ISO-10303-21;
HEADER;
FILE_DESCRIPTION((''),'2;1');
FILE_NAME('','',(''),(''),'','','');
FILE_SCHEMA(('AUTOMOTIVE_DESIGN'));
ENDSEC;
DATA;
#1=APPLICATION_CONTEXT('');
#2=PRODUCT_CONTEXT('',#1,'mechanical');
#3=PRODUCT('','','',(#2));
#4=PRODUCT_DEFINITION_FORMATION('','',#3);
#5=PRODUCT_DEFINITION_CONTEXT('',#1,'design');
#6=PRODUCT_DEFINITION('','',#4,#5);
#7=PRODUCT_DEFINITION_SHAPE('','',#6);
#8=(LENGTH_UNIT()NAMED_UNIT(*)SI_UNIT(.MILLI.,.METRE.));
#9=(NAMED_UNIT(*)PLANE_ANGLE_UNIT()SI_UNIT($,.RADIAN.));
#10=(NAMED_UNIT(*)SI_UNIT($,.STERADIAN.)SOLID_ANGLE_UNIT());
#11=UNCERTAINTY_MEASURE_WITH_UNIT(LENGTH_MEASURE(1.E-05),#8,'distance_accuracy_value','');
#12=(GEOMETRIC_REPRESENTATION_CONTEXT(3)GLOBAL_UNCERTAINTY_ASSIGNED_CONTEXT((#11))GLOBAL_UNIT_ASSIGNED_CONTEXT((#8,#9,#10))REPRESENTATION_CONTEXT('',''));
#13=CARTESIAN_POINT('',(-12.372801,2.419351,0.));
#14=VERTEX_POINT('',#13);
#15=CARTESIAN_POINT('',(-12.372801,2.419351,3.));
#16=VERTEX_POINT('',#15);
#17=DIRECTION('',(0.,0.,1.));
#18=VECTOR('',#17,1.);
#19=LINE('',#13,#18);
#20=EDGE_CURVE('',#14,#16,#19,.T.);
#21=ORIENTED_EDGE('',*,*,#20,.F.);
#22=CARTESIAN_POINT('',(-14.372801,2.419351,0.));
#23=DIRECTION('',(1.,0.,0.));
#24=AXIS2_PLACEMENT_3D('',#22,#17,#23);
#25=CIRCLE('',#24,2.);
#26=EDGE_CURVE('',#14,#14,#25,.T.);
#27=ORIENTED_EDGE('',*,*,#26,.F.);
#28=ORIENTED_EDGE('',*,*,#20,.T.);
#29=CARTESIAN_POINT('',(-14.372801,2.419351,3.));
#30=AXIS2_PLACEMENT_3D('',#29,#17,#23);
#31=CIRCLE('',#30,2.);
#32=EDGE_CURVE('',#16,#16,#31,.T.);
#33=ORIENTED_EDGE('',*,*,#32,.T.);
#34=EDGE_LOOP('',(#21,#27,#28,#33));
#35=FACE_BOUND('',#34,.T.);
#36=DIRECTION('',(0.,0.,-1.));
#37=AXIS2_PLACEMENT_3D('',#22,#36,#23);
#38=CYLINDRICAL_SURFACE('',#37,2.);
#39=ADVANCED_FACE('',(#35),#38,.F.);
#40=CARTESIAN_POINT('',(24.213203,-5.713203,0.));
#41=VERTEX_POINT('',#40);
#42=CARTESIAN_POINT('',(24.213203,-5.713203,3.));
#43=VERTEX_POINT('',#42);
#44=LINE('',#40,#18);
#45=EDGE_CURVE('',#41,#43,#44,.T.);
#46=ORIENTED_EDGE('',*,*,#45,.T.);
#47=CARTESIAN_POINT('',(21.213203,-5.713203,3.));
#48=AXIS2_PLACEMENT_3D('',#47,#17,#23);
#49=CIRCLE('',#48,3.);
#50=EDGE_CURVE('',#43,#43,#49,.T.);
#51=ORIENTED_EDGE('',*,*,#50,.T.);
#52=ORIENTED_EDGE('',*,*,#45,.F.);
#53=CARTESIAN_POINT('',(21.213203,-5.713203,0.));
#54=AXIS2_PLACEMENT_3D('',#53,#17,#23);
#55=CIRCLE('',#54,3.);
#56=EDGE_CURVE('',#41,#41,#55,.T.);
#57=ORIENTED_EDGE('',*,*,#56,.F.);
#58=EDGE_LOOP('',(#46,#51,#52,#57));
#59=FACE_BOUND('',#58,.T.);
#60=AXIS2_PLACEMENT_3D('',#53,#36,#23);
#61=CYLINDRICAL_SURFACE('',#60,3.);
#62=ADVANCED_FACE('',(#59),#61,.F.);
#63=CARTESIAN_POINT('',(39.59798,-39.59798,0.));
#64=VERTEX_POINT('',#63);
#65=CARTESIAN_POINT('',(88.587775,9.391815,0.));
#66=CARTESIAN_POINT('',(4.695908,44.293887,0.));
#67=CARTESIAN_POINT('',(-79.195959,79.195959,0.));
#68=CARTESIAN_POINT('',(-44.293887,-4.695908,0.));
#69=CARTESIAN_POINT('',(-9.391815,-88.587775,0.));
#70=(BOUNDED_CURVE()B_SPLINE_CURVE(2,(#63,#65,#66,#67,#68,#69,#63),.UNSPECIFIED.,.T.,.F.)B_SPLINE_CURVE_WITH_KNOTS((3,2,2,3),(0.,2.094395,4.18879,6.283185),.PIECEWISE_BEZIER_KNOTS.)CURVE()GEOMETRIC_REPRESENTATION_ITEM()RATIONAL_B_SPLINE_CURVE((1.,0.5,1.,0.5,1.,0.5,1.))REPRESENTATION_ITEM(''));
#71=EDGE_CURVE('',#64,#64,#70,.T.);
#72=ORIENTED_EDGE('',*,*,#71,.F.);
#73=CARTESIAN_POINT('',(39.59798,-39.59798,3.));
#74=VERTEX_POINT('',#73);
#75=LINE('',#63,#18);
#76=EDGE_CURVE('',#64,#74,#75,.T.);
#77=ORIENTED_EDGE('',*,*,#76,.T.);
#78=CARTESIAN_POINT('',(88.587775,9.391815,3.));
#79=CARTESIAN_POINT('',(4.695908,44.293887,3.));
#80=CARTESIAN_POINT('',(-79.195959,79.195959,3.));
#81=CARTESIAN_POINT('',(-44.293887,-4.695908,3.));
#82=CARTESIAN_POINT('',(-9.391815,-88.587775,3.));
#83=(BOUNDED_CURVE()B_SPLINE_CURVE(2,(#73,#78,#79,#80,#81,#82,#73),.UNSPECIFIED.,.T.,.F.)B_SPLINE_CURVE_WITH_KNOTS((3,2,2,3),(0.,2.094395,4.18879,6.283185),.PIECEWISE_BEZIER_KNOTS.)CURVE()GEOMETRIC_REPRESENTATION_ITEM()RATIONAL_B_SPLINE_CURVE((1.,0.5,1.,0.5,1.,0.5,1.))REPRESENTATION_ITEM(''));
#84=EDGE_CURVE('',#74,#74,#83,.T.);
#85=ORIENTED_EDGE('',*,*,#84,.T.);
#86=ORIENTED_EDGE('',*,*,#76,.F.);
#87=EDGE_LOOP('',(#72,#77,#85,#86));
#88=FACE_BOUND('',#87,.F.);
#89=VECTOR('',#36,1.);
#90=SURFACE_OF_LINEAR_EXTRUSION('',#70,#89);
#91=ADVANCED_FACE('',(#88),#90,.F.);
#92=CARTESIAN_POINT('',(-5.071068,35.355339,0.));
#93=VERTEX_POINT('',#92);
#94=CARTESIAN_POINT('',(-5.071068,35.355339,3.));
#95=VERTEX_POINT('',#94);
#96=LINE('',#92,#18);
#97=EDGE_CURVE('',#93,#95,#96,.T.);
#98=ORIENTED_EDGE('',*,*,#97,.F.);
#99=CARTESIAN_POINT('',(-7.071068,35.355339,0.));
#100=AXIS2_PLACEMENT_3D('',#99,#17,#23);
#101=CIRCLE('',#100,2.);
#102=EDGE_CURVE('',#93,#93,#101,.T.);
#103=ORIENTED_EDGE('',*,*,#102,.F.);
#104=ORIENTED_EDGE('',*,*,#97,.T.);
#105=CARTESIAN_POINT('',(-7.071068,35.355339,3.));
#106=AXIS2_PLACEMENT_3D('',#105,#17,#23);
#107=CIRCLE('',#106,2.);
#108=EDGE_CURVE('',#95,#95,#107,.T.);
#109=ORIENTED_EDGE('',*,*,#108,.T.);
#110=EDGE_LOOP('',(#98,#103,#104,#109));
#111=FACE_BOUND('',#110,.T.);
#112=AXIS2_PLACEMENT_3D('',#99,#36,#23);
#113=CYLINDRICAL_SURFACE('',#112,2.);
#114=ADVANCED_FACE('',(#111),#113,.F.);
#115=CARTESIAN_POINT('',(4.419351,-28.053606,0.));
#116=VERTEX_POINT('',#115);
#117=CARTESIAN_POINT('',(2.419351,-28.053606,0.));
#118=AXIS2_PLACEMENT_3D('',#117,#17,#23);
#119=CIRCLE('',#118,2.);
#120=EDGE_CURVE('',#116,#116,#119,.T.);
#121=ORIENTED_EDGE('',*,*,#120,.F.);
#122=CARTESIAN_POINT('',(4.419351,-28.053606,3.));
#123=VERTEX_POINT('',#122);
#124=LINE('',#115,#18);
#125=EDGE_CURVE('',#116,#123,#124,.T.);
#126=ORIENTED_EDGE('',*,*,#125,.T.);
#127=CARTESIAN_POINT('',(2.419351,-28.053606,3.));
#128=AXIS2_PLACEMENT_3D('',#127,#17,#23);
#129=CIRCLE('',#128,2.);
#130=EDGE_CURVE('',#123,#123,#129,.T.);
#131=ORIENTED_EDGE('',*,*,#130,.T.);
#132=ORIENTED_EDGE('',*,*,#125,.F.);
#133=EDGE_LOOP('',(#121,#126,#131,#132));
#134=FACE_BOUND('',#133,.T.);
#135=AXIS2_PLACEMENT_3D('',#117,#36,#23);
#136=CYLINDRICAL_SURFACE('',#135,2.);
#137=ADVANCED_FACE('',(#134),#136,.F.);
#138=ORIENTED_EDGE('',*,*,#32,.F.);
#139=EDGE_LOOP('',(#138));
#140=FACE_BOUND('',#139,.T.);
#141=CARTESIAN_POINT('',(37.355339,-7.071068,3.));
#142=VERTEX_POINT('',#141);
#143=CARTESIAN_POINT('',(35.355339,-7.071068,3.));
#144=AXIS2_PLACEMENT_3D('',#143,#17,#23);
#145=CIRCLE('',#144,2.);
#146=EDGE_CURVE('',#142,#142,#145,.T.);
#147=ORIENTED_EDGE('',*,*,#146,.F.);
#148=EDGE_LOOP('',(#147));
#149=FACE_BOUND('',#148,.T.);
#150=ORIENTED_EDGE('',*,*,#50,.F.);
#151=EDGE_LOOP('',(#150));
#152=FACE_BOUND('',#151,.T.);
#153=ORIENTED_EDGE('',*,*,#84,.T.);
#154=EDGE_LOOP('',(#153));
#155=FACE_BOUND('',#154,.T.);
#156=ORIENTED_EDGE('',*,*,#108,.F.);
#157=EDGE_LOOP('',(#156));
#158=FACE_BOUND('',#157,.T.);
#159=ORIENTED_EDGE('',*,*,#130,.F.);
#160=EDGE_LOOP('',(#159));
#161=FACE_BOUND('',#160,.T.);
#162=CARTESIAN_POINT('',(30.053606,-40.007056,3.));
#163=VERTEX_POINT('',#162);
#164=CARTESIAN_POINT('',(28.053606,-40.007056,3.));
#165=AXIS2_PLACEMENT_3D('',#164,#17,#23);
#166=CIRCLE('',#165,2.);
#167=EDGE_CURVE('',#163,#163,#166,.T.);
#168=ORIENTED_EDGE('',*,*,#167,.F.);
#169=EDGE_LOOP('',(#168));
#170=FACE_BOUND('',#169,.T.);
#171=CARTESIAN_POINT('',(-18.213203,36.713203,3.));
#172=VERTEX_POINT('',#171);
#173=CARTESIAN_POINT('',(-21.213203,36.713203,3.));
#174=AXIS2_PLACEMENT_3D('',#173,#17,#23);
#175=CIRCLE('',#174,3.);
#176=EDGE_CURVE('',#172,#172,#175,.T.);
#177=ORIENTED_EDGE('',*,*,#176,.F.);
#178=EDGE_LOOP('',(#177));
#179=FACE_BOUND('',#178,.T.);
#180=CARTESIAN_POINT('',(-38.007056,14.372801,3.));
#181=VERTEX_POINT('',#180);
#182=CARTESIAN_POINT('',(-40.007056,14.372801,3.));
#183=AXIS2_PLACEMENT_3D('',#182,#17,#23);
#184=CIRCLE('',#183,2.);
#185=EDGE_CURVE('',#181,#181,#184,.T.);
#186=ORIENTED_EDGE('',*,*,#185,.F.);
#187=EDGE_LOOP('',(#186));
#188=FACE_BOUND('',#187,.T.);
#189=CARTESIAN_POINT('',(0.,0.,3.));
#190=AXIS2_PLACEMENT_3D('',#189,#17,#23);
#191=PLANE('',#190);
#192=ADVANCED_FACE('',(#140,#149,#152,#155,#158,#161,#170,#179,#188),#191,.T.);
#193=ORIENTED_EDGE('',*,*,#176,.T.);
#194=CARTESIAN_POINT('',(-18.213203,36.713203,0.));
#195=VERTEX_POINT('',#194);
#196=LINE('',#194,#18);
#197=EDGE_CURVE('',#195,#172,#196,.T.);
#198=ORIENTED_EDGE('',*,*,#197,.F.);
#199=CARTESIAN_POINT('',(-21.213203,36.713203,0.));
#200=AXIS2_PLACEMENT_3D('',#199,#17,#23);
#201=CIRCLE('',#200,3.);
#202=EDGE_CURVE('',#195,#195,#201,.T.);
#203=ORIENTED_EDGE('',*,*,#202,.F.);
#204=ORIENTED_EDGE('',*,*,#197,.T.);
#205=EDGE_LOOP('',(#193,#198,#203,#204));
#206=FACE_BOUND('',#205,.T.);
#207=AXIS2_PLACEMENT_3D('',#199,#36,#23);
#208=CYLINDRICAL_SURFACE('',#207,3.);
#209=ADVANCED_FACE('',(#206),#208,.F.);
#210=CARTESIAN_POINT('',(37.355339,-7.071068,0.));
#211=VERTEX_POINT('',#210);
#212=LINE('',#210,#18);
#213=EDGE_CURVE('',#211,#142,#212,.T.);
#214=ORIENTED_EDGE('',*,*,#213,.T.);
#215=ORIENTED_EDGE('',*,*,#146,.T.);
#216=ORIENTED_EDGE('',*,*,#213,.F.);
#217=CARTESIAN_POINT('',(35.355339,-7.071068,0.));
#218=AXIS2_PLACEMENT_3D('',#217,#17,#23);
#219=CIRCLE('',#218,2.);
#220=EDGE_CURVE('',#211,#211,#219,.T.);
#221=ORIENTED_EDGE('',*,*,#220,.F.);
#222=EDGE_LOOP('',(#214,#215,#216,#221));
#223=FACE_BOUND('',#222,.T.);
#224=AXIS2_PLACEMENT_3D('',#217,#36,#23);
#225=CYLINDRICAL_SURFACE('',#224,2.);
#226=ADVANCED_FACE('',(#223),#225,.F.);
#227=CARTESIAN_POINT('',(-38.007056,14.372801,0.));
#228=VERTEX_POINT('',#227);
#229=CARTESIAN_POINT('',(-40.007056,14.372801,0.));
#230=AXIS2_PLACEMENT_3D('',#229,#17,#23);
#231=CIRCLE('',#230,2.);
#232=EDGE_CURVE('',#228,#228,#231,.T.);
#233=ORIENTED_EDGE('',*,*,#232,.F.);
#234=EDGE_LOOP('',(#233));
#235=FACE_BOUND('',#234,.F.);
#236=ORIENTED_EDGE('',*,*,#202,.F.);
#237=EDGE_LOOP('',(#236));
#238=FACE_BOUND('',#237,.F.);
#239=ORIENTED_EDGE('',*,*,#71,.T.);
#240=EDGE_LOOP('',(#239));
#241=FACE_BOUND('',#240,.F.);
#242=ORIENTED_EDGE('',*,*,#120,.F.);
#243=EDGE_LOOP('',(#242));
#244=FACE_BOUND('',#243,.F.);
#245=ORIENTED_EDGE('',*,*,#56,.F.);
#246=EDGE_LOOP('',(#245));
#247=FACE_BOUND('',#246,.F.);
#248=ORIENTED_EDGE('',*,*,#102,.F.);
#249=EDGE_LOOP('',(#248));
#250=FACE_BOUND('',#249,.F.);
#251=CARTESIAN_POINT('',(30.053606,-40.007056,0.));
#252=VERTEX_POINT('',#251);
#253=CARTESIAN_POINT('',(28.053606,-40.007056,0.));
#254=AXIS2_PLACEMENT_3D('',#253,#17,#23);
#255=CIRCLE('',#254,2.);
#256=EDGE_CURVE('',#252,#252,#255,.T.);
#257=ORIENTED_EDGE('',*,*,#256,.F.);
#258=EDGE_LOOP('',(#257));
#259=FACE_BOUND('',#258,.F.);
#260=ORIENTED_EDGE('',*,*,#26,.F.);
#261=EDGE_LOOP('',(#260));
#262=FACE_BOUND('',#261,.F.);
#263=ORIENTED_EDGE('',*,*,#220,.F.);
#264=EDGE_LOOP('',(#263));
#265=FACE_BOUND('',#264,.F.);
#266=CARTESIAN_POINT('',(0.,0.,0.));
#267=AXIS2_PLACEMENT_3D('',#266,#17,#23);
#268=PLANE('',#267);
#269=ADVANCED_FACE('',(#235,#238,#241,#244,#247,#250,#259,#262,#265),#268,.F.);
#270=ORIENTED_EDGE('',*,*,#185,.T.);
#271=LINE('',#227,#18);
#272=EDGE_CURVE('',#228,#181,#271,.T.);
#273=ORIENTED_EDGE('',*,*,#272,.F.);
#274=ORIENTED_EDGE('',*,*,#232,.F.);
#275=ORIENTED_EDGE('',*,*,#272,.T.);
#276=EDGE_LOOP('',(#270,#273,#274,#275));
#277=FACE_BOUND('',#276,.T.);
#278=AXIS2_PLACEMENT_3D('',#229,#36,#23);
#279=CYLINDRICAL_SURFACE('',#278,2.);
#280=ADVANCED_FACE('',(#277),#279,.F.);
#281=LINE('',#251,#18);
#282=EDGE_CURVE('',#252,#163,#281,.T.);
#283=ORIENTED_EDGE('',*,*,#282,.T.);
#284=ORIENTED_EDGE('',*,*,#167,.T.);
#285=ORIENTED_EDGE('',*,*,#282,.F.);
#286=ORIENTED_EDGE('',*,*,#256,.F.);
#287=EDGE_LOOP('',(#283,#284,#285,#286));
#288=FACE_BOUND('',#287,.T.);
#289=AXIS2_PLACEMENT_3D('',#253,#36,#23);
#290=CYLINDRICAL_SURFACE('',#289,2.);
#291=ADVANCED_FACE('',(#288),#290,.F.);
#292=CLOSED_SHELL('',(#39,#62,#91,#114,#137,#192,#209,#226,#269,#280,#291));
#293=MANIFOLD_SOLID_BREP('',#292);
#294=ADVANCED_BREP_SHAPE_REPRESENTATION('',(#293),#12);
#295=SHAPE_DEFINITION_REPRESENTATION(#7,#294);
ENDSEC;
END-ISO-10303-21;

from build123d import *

# Parameters (mm, degrees)
SKETCH_R   = 2
SKETCH_R_2 = 3
PAD_DEPTH  = 3


with BuildPart() as part:
    # Sketch → Pad (new body)
    with BuildSketch(Plane.XY):
        with BuildLine():
            add(Edge.make_bspline(
                [(39.59798, -39.59798), (88.587775, 9.391815), (4.695908, 44.293887), (-79.195959, 79.195959), (-44.293887, -4.695908), (-9.391815, -88.587775), (39.59798, -39.59798)],
                knots=[0, 0, 0, 2.094395, 2.094395, 4.18879, 4.18879, 6.283185, 6.283185, 6.283185], degree=2, weights=[1, 0.5, 1, 0.5, 1, 0.5, 1]))
        make_face()
        with Locations((-7.071068, 35.355339)):
            Circle(SKETCH_R, mode=Mode.SUBTRACT)
        with Locations((-40.007056, 14.372801)):
            Circle(SKETCH_R, mode=Mode.SUBTRACT)
        with Locations((-14.372801, 2.419351)):
            Circle(SKETCH_R, mode=Mode.SUBTRACT)
        with Locations((35.355339, -7.071068)):
            Circle(SKETCH_R, mode=Mode.SUBTRACT)
        with Locations((2.419351, -28.053606)):
            Circle(SKETCH_R, mode=Mode.SUBTRACT)
        with Locations((28.053606, -40.007056)):
            Circle(SKETCH_R, mode=Mode.SUBTRACT)
        with Locations((-21.213203, 36.713203)):
            Circle(SKETCH_R_2, mode=Mode.SUBTRACT)
        with Locations((21.213203, -5.713203)):
            Circle(SKETCH_R_2, mode=Mode.SUBTRACT)
    extrude(amount=PAD_DEPTH)


solid = part.part
